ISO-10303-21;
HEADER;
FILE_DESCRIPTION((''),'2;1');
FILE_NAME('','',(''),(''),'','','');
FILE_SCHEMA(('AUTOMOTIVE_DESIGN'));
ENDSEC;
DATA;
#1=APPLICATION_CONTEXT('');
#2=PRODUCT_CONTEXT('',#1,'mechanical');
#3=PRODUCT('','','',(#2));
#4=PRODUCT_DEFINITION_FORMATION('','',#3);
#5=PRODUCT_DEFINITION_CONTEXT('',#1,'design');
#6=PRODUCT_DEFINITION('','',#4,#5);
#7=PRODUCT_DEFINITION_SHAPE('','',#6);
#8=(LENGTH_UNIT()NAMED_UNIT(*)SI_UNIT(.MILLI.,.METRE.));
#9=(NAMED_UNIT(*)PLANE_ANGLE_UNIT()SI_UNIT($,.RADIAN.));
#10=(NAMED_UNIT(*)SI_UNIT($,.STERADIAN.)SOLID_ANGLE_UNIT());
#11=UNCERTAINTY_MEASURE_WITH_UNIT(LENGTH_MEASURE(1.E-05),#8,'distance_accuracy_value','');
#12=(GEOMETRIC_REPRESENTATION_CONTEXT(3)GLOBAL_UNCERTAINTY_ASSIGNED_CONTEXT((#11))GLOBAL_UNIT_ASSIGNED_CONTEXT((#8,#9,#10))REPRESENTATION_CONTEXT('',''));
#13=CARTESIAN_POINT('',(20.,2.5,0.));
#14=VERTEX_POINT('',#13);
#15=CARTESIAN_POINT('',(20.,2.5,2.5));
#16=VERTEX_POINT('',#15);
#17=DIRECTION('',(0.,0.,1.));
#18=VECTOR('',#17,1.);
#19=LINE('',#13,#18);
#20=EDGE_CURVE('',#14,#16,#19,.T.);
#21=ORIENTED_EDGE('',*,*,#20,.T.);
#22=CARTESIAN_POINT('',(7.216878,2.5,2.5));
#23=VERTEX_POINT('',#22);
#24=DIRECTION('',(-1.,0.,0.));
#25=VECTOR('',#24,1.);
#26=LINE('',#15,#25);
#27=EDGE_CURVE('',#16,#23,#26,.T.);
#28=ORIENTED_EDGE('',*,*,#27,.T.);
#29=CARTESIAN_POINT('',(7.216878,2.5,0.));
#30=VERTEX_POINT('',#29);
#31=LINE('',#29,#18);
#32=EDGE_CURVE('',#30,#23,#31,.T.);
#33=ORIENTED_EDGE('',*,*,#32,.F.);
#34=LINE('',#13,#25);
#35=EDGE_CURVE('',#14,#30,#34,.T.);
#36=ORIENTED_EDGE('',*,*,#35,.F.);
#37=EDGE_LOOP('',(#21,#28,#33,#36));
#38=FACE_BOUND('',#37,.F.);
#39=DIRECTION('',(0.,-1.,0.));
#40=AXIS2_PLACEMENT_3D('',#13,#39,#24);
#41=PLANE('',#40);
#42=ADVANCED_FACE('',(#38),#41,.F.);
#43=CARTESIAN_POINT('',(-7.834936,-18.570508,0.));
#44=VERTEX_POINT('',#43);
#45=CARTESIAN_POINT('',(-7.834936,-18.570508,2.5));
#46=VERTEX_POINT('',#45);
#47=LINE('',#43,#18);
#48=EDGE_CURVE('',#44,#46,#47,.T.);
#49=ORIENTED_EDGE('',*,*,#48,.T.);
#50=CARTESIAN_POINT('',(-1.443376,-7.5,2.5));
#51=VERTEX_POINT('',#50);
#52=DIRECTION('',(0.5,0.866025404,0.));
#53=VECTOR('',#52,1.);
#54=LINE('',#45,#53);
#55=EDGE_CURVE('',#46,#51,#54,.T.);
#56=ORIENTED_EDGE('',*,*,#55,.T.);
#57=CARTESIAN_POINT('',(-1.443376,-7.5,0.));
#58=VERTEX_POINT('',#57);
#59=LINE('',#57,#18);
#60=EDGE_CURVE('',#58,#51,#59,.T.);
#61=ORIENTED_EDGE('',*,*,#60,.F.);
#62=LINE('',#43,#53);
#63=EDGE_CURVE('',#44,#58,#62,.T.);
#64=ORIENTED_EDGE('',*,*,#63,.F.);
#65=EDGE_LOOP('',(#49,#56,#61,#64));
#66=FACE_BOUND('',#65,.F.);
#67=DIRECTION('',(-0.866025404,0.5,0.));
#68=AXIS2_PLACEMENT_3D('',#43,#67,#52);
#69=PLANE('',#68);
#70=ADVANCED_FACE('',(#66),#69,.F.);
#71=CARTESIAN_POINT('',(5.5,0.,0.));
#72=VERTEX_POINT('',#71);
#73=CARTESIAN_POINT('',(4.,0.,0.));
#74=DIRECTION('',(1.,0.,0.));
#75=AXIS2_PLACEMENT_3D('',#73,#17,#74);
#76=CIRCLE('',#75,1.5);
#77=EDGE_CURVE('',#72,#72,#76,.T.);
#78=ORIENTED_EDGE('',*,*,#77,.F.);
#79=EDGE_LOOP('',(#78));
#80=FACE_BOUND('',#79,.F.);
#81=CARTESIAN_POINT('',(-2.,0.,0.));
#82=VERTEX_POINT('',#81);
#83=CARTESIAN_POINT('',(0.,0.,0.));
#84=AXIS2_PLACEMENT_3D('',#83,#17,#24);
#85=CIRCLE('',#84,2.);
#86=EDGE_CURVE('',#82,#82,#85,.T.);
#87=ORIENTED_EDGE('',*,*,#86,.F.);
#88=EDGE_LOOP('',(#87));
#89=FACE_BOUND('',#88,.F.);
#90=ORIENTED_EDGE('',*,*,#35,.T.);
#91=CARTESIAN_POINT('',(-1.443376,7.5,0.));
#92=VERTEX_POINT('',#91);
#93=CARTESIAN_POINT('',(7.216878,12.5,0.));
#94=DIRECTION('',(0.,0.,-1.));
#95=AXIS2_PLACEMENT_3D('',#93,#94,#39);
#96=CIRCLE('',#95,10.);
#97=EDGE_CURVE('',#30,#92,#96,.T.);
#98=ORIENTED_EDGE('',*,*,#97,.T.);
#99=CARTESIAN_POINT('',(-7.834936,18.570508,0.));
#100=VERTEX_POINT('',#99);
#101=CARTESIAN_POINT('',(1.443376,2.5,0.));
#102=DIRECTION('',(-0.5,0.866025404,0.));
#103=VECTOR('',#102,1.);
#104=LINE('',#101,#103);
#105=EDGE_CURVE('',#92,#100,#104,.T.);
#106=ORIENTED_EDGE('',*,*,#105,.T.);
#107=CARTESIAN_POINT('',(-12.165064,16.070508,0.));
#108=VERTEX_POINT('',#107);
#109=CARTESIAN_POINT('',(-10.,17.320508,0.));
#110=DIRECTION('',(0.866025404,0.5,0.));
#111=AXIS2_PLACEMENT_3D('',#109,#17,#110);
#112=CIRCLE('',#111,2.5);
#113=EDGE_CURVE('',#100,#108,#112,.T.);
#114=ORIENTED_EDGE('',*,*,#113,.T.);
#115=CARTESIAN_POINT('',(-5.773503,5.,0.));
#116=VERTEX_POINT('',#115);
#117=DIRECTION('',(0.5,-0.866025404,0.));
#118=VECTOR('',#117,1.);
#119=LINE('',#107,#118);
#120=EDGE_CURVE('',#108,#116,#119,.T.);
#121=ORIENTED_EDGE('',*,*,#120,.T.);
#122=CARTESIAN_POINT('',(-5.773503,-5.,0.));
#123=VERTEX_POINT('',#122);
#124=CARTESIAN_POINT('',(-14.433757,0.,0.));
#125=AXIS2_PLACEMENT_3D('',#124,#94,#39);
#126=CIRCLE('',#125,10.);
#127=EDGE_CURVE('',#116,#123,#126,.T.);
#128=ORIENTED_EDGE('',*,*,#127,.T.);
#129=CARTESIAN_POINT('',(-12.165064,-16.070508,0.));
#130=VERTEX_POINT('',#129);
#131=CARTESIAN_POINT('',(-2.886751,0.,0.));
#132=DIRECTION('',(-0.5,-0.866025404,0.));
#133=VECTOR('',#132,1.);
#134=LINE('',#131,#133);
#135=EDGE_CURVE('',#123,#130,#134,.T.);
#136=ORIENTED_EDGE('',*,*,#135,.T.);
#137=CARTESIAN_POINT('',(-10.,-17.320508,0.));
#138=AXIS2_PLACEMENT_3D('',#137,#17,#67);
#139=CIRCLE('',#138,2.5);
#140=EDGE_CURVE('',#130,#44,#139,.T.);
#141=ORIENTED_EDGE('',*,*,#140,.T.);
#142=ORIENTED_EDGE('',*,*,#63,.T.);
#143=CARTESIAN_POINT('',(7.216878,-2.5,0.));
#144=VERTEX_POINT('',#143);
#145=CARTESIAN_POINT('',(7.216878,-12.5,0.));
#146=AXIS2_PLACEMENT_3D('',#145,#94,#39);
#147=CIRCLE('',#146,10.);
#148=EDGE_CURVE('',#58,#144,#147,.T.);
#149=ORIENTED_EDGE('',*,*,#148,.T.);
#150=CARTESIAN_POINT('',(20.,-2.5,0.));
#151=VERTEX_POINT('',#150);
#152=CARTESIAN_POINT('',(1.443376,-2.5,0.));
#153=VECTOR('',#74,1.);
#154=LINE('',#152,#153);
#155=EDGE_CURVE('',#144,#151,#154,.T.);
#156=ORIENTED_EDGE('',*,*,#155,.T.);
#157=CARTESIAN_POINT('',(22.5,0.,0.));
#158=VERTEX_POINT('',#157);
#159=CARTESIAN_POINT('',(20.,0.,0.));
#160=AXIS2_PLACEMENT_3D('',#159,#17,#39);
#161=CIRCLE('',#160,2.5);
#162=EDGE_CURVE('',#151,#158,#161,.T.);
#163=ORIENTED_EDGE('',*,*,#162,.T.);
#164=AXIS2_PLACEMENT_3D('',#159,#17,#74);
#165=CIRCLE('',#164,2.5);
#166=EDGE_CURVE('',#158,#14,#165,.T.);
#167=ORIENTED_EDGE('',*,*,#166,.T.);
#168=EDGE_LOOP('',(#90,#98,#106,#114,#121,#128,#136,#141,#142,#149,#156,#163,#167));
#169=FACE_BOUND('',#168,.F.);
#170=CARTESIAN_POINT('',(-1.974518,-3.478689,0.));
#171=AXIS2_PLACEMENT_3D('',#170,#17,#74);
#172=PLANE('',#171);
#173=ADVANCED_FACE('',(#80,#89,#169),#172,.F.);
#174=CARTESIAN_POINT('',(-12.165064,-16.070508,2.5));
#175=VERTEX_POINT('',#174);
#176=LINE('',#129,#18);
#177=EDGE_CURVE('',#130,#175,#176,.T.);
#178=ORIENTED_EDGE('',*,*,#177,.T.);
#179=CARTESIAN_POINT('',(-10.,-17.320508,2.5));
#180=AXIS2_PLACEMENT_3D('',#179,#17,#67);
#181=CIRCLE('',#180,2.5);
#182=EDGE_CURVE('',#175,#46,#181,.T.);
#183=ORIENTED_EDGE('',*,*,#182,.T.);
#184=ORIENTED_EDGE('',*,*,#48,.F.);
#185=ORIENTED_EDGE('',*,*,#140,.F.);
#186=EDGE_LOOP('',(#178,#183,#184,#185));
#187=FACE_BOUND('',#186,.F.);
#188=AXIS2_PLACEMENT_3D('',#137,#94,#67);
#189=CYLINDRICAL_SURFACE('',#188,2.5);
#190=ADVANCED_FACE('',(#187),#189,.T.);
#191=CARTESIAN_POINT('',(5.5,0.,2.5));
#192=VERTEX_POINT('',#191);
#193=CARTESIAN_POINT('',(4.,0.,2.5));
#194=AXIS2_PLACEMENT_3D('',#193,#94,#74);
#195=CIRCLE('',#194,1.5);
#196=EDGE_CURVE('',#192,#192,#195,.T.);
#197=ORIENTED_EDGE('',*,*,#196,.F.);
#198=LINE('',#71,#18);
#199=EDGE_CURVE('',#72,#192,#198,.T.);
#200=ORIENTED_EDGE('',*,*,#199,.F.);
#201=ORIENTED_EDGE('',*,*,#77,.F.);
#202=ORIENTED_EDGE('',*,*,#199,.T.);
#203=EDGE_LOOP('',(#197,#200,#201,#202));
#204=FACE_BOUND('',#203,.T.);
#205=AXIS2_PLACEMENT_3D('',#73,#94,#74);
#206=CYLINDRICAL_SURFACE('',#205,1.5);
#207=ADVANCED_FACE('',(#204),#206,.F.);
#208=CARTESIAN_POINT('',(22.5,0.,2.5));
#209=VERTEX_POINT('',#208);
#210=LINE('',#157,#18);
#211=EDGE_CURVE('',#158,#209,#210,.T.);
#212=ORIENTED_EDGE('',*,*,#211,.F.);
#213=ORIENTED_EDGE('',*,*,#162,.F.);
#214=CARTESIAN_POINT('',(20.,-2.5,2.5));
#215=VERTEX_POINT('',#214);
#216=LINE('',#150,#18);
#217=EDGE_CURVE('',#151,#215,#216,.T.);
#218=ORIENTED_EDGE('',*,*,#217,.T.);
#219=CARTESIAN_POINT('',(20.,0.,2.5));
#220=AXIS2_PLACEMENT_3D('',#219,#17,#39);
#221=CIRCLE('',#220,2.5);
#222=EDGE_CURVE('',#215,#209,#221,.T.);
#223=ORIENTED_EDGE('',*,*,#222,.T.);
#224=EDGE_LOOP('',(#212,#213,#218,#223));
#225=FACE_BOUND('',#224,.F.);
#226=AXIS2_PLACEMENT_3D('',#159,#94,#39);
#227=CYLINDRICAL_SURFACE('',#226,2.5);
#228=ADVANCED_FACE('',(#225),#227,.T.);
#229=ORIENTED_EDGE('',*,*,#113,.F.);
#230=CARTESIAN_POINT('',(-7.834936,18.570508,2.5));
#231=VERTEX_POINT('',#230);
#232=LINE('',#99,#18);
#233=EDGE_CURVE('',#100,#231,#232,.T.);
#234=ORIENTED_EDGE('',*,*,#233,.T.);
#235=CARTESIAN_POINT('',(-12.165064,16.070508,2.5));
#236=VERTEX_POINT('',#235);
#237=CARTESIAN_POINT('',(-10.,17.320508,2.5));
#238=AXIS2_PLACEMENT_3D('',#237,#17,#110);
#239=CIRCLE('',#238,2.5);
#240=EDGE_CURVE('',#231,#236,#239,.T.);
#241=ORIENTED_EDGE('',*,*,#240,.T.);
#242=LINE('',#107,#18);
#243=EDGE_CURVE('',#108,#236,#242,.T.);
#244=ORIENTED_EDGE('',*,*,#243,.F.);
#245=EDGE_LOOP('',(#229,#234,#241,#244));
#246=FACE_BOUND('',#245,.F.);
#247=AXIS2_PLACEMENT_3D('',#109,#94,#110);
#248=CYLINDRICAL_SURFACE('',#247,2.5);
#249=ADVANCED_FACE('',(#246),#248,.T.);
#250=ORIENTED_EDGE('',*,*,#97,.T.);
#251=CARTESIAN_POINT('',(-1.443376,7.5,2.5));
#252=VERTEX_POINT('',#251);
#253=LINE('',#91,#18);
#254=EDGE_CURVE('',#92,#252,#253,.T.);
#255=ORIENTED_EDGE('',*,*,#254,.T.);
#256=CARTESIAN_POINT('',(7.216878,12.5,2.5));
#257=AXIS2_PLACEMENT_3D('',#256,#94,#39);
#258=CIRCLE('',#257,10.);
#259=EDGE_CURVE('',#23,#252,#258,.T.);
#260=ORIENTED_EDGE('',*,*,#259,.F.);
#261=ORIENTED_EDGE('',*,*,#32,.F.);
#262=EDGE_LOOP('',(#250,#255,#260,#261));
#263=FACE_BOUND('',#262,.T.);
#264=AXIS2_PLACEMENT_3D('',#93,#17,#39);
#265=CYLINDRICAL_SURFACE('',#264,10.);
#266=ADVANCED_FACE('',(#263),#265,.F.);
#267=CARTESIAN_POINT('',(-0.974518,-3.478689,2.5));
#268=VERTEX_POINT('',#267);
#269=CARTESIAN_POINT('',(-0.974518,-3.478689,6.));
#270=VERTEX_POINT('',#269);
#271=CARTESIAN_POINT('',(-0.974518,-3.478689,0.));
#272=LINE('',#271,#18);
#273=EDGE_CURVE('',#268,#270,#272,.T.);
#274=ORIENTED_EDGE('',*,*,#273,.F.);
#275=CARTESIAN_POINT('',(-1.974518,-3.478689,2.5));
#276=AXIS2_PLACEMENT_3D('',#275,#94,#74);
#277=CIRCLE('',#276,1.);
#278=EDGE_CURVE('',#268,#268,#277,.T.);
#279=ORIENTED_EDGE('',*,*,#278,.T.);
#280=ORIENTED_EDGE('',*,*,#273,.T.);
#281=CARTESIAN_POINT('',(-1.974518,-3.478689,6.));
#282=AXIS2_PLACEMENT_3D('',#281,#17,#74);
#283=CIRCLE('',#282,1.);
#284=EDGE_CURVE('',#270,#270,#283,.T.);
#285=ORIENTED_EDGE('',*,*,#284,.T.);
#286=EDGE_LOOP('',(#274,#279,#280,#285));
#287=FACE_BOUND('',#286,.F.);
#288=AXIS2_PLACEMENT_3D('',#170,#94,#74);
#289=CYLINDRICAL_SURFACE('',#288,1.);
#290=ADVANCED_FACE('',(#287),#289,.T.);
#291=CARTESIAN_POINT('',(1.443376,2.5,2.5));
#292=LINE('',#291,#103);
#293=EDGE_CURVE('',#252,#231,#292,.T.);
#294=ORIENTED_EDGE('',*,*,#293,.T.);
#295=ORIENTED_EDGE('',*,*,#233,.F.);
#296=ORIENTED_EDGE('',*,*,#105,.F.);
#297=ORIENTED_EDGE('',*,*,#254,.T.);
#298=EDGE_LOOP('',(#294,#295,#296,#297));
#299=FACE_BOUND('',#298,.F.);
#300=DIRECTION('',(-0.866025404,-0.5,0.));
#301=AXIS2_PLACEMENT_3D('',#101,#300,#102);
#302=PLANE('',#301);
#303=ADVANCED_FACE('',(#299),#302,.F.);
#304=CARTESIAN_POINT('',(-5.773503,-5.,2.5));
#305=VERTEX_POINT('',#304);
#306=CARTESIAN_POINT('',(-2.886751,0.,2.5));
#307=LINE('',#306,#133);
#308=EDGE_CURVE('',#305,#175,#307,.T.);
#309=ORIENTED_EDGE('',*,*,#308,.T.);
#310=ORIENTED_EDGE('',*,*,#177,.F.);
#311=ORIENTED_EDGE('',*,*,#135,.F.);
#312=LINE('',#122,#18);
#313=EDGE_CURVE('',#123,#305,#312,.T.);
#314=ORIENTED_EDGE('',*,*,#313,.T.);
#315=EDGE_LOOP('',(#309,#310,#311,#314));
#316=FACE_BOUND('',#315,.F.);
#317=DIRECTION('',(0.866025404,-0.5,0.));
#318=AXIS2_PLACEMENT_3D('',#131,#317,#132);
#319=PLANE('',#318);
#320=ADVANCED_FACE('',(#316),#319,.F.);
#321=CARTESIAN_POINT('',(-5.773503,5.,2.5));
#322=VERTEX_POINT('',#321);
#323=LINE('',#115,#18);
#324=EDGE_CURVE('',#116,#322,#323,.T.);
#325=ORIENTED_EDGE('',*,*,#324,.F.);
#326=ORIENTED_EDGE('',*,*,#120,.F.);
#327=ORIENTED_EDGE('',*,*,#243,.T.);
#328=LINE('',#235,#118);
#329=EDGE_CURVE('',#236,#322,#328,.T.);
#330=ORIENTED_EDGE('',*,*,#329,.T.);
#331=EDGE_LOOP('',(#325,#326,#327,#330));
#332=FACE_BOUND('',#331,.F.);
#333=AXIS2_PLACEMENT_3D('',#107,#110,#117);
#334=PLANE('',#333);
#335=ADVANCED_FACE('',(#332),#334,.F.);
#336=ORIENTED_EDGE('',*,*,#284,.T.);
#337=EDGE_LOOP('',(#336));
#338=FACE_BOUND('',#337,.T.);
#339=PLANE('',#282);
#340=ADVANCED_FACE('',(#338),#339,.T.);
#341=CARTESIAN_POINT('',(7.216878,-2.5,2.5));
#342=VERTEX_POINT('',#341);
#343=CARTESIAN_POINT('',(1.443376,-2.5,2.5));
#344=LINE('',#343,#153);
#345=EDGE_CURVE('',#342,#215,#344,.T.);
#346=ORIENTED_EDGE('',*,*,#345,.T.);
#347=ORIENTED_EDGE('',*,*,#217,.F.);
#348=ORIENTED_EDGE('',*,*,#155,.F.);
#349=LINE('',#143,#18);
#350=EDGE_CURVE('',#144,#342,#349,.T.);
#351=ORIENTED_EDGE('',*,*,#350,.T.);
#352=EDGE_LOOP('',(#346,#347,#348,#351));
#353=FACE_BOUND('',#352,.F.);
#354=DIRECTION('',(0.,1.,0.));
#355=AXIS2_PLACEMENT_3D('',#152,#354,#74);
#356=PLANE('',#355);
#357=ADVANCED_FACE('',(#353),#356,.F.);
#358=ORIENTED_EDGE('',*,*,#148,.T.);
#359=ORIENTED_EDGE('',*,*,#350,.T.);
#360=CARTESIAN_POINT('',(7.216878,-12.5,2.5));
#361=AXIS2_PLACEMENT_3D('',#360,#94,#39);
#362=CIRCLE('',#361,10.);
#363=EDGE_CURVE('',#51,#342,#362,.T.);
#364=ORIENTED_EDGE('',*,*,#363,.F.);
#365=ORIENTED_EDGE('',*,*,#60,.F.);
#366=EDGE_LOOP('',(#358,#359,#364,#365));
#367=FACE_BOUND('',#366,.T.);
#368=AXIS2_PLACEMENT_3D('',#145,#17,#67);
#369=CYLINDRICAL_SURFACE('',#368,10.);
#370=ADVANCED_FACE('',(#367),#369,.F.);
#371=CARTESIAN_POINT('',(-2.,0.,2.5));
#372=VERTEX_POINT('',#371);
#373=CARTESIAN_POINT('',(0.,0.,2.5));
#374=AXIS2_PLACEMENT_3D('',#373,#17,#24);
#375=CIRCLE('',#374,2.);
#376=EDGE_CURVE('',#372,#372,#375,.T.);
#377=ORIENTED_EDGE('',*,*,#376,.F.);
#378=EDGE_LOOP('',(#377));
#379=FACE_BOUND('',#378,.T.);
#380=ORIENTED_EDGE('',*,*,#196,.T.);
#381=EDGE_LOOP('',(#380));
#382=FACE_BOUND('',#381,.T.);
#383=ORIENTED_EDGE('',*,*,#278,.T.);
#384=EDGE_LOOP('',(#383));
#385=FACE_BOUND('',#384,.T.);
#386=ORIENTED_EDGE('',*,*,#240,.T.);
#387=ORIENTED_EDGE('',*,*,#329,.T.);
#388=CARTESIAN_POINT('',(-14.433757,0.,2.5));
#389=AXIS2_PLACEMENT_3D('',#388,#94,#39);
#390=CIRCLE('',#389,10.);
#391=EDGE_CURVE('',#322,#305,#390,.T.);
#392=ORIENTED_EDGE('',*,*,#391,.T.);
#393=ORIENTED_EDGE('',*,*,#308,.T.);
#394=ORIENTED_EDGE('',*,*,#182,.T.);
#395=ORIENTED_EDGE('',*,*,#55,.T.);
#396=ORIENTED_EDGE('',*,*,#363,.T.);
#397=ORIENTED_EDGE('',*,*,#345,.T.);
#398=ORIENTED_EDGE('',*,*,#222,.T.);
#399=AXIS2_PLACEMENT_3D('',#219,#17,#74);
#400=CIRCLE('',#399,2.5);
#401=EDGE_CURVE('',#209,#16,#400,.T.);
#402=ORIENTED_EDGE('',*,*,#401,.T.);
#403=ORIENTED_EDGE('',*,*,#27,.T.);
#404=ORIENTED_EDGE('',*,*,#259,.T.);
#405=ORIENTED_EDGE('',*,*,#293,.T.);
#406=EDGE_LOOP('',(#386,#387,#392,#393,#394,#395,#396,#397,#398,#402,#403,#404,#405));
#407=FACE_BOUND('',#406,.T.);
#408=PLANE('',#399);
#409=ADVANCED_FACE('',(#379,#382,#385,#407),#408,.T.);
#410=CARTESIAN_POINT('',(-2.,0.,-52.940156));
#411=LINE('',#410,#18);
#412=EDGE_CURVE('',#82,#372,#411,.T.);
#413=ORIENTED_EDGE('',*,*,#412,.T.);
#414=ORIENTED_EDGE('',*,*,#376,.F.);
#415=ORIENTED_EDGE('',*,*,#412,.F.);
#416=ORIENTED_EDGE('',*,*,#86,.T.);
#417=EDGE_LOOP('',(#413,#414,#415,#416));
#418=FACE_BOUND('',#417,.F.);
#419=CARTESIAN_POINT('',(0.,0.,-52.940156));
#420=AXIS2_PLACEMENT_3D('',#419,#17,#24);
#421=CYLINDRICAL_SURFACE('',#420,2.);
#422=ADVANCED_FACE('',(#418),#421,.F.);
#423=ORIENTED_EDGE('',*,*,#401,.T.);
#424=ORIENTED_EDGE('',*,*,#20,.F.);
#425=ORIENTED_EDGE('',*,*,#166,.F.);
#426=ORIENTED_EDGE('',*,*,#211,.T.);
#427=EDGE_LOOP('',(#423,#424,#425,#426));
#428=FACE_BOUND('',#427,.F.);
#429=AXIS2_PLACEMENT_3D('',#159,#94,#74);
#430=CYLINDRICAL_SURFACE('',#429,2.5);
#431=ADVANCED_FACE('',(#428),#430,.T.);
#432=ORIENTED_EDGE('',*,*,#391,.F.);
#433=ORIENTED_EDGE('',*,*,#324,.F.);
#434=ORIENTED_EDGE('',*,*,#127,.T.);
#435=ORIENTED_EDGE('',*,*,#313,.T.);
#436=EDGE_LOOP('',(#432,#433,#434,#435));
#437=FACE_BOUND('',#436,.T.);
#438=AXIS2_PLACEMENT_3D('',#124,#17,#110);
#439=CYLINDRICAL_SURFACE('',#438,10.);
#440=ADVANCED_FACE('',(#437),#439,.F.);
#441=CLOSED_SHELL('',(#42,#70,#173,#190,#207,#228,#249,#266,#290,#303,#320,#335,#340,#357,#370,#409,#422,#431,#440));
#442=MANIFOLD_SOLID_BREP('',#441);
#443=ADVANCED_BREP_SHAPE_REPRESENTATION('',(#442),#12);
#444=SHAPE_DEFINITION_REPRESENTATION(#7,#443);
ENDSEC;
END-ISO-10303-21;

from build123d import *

# Parameters (mm, degrees)
F1_DEPTH = 2.5
F3_R     = 10
F4_D     = 4
F5_R     = 1
F6_DEPTH = 6
F7_R     = 1.5
F8_DEPTH = 7


with BuildPart() as f1:
    # F0 (on Top) → F1 (new body)
    with BuildSketch(Plane.XY):
        with BuildLine():
            ThreePointArc((20, -2.5), (21.767766953, -1.767766953), (22.5, 0))
            ThreePointArc((22.5, 0), (21.767766953, 1.767766953), (20, 2.5))
            ThreePointArc((20, 2.5), (18.232233047, 1.767766953), (17.5, 0))
            ThreePointArc((17.5, 0), (18.232233047, -1.767766953), (20, -2.5))
        make_face()
        with BuildLine():
            ThreePointArc((17.5, 0), (18.232233047, 1.767766953), (20, 2.5))
            Line((20, 2.5), (1.443375673, 2.5))
            Line((1.443375673, 2.5), (2.1650635095, 1.25))
            ThreePointArc((2.1650635095, 1.25), (2.4148145657, 0.6470476128), (2.5, 0))
            Line((2.5, 0), (17.5, 0))
        make_face()
        with BuildLine():
            Line((1.443375673, -2.5), (20, -2.5))
            ThreePointArc((20, -2.5), (18.232233047, -1.767766953), (17.5, 0))
            Line((17.5, 0), (2.5, 0))
            ThreePointArc((2.5, 0), (2.4148145657, -0.6470476128), (2.1650635095, -1.25))
            Line((2.1650635095, -1.25), (1.443375673, -2.5))
        make_face()
        with BuildLine():
            Line((2.1650635095, 1.25), (1.443375673, 2.5))
            Line((1.443375673, 2.5), (0, 2.5))
            ThreePointArc((0, 2.5), (1.25, 2.1650635095), (2.1650635095, 1.25))
        make_face()
        with BuildLine():
            Line((0, 2.5), (1.443375673, 2.5))
            Line((1.443375673, 2.5), (-7.8349364905, 18.5705080757))
            ThreePointArc((-7.8349364905, 18.5705080757), (-7.5851854343, 17.9675556884), (-7.5, 17.3205080757))
            ThreePointArc((-7.5, 17.3205080757), (-7.8349364905, 16.0705080757), (-8.75, 15.1554445662))
            Line((-8.75, 15.1554445662), (-1.25, 2.1650635095))
            ThreePointArc((-1.25, 2.1650635095), (-0.6470476128, 2.4148145657), (0, 2.5))
        make_face()
        with BuildLine():
            Line((-7.8349364905, -18.5705080757), (1.443375673, -2.5))
            Line((1.443375673, -2.5), (0, -2.5))
            ThreePointArc((0, -2.5), (-0.6470476128, -2.4148145657), (-1.25, -2.1650635095))
            Line((-1.25, -2.1650635095), (-8.75, -15.1554445662))
            ThreePointArc((-8.75, -15.1554445662), (-7.8349364905, -16.0705080757), (-7.5, -17.3205080757))
            ThreePointArc((-7.5, -17.3205080757), (-7.5851854343, -17.9675556884), (-7.8349364905, -18.5705080757))
        make_face()
        with BuildLine():
            Line((0, -2.5), (1.443375673, -2.5))
            Line((1.443375673, -2.5), (2.1650635095, -1.25))
            ThreePointArc((2.1650635095, -1.25), (1.25, -2.1650635095), (0, -2.5))
        make_face()
        with BuildLine():
            ThreePointArc((-7.5, 17.3205080757), (-7.5851854343, 17.9675556884), (-7.8349364905, 18.5705080757))
            ThreePointArc((-7.8349364905, 18.5705080757), (-11.25, 19.4855715851), (-12.1650635095, 16.0705080757))
            ThreePointArc((-12.1650635095, 16.0705080757), (-10.6470476128, 14.90569351), (-8.75, 15.1554445662))
            ThreePointArc((-8.75, 15.1554445662), (-7.8349364905, 16.0705080757), (-7.5, 17.3205080757))
        make_face()
        with BuildLine():
            ThreePointArc((-12.1650635095, -16.0705080757), (-11.25, -19.4855715851), (-7.8349364905, -18.5705080757))
            ThreePointArc((-7.8349364905, -18.5705080757), (-7.5851854343, -17.9675556884), (-7.5, -17.3205080757))
            ThreePointArc((-7.5, -17.3205080757), (-7.8349364905, -16.0705080757), (-8.75, -15.1554445662))
            ThreePointArc((-8.75, -15.1554445662), (-10.6470476128, -14.90569351), (-12.1650635095, -16.0705080757))
        make_face()
        with BuildLine():
            ThreePointArc((-2.1650635095, 1.25), (-1.767766953, 1.767766953), (-1.25, 2.1650635095))
            Line((-1.25, 2.1650635095), (-8.75, 15.1554445662))
            ThreePointArc((-8.75, 15.1554445662), (-10.6470476128, 14.90569351), (-12.1650635095, 16.0705080757))
            Line((-12.1650635095, 16.0705080757), (-2.8867513459, 0))
            Line((-2.8867513459, 0), (-2.1650635095, 1.25))
        make_face()
        with BuildLine():
            Line((-8.75, -15.1554445662), (-1.25, -2.1650635095))
            ThreePointArc((-1.25, -2.1650635095), (-1.767766953, -1.767766953), (-2.1650635095, -1.25))
            Line((-2.1650635095, -1.25), (-2.8867513459, 0))
            Line((-2.8867513459, 0), (-12.1650635095, -16.0705080757))
            ThreePointArc((-12.1650635095, -16.0705080757), (-10.6470476128, -14.90569351), (-8.75, -15.1554445662))
        make_face()
        with BuildLine():
            ThreePointArc((-2.1650635095, -1.25), (-2.5, 0), (-2.1650635095, 1.25))
            Line((-2.1650635095, 1.25), (-2.8867513459, 0))
            Line((-2.8867513459, 0), (-2.1650635095, -1.25))
        make_face()
        with BuildLine():
            Line((-1.25, -2.1650635095), (0, 0))
            Line((0, 0), (-1.25, 2.1650635095))
            ThreePointArc((-1.25, 2.1650635095), (-1.767766953, 1.767766953), (-2.1650635095, 1.25))
            ThreePointArc((-2.1650635095, 1.25), (-2.5, 0), (-2.1650635095, -1.25))
            ThreePointArc((-2.1650635095, -1.25), (-1.767766953, -1.767766953), (-1.25, -2.1650635095))
        make_face()
        with BuildLine():
            Line((0, 0), (2.5, 0))
            ThreePointArc((2.5, 0), (2.4148145657, 0.6470476128), (2.1650635095, 1.25))
            ThreePointArc((2.1650635095, 1.25), (1.25, 2.1650635095), (0, 2.5))
            ThreePointArc((0, 2.5), (-0.6470476128, 2.4148145657), (-1.25, 2.1650635095))
            Line((-1.25, 2.1650635095), (0, 0))
        make_face()
        with BuildLine():
            ThreePointArc((2.1650635095, -1.25), (2.4148145657, -0.6470476128), (2.5, 0))
            Line((2.5, 0), (0, 0))
            Line((0, 0), (-1.25, -2.1650635095))
            ThreePointArc((-1.25, -2.1650635095), (-0.6470476128, -2.4148145657), (0, -2.5))
            ThreePointArc((0, -2.5), (1.25, -2.1650635095), (2.1650635095, -1.25))
        make_face()
    extrude(amount=F1_DEPTH)

    # F3
    f3_edges = [f1.edges().sort_by_distance(p)[0] for p in [
        (1.443376, -2.5, 1.25),
        (-2.886751, 0, 1.25),
        (1.443376, 2.5, 1.25),
    ]]
    fillet(f3_edges, radius=F3_R)

    # F4 (through all)
    with Locations(Plane(origin=(0, 0, 0), x_dir=(1, 0, 0), z_dir=(0, 0, -1))):
        with Locations((0, 0)):
            Hole(F4_D / 2)

    # F5 (on Top) → F6 (join)
    with BuildSketch(Plane.XY):
        with Locations((-1.9745181319, -3.478689142)):
            Circle(F5_R)
    extrude(amount=F6_DEPTH)

    # F7 (on Top) → F8 (cut)
    with BuildSketch(Plane.XY):
        with Locations((4, 0)):
            Circle(F7_R)
    extrude(amount=F8_DEPTH, mode=Mode.SUBTRACT)


solid = f1.part
